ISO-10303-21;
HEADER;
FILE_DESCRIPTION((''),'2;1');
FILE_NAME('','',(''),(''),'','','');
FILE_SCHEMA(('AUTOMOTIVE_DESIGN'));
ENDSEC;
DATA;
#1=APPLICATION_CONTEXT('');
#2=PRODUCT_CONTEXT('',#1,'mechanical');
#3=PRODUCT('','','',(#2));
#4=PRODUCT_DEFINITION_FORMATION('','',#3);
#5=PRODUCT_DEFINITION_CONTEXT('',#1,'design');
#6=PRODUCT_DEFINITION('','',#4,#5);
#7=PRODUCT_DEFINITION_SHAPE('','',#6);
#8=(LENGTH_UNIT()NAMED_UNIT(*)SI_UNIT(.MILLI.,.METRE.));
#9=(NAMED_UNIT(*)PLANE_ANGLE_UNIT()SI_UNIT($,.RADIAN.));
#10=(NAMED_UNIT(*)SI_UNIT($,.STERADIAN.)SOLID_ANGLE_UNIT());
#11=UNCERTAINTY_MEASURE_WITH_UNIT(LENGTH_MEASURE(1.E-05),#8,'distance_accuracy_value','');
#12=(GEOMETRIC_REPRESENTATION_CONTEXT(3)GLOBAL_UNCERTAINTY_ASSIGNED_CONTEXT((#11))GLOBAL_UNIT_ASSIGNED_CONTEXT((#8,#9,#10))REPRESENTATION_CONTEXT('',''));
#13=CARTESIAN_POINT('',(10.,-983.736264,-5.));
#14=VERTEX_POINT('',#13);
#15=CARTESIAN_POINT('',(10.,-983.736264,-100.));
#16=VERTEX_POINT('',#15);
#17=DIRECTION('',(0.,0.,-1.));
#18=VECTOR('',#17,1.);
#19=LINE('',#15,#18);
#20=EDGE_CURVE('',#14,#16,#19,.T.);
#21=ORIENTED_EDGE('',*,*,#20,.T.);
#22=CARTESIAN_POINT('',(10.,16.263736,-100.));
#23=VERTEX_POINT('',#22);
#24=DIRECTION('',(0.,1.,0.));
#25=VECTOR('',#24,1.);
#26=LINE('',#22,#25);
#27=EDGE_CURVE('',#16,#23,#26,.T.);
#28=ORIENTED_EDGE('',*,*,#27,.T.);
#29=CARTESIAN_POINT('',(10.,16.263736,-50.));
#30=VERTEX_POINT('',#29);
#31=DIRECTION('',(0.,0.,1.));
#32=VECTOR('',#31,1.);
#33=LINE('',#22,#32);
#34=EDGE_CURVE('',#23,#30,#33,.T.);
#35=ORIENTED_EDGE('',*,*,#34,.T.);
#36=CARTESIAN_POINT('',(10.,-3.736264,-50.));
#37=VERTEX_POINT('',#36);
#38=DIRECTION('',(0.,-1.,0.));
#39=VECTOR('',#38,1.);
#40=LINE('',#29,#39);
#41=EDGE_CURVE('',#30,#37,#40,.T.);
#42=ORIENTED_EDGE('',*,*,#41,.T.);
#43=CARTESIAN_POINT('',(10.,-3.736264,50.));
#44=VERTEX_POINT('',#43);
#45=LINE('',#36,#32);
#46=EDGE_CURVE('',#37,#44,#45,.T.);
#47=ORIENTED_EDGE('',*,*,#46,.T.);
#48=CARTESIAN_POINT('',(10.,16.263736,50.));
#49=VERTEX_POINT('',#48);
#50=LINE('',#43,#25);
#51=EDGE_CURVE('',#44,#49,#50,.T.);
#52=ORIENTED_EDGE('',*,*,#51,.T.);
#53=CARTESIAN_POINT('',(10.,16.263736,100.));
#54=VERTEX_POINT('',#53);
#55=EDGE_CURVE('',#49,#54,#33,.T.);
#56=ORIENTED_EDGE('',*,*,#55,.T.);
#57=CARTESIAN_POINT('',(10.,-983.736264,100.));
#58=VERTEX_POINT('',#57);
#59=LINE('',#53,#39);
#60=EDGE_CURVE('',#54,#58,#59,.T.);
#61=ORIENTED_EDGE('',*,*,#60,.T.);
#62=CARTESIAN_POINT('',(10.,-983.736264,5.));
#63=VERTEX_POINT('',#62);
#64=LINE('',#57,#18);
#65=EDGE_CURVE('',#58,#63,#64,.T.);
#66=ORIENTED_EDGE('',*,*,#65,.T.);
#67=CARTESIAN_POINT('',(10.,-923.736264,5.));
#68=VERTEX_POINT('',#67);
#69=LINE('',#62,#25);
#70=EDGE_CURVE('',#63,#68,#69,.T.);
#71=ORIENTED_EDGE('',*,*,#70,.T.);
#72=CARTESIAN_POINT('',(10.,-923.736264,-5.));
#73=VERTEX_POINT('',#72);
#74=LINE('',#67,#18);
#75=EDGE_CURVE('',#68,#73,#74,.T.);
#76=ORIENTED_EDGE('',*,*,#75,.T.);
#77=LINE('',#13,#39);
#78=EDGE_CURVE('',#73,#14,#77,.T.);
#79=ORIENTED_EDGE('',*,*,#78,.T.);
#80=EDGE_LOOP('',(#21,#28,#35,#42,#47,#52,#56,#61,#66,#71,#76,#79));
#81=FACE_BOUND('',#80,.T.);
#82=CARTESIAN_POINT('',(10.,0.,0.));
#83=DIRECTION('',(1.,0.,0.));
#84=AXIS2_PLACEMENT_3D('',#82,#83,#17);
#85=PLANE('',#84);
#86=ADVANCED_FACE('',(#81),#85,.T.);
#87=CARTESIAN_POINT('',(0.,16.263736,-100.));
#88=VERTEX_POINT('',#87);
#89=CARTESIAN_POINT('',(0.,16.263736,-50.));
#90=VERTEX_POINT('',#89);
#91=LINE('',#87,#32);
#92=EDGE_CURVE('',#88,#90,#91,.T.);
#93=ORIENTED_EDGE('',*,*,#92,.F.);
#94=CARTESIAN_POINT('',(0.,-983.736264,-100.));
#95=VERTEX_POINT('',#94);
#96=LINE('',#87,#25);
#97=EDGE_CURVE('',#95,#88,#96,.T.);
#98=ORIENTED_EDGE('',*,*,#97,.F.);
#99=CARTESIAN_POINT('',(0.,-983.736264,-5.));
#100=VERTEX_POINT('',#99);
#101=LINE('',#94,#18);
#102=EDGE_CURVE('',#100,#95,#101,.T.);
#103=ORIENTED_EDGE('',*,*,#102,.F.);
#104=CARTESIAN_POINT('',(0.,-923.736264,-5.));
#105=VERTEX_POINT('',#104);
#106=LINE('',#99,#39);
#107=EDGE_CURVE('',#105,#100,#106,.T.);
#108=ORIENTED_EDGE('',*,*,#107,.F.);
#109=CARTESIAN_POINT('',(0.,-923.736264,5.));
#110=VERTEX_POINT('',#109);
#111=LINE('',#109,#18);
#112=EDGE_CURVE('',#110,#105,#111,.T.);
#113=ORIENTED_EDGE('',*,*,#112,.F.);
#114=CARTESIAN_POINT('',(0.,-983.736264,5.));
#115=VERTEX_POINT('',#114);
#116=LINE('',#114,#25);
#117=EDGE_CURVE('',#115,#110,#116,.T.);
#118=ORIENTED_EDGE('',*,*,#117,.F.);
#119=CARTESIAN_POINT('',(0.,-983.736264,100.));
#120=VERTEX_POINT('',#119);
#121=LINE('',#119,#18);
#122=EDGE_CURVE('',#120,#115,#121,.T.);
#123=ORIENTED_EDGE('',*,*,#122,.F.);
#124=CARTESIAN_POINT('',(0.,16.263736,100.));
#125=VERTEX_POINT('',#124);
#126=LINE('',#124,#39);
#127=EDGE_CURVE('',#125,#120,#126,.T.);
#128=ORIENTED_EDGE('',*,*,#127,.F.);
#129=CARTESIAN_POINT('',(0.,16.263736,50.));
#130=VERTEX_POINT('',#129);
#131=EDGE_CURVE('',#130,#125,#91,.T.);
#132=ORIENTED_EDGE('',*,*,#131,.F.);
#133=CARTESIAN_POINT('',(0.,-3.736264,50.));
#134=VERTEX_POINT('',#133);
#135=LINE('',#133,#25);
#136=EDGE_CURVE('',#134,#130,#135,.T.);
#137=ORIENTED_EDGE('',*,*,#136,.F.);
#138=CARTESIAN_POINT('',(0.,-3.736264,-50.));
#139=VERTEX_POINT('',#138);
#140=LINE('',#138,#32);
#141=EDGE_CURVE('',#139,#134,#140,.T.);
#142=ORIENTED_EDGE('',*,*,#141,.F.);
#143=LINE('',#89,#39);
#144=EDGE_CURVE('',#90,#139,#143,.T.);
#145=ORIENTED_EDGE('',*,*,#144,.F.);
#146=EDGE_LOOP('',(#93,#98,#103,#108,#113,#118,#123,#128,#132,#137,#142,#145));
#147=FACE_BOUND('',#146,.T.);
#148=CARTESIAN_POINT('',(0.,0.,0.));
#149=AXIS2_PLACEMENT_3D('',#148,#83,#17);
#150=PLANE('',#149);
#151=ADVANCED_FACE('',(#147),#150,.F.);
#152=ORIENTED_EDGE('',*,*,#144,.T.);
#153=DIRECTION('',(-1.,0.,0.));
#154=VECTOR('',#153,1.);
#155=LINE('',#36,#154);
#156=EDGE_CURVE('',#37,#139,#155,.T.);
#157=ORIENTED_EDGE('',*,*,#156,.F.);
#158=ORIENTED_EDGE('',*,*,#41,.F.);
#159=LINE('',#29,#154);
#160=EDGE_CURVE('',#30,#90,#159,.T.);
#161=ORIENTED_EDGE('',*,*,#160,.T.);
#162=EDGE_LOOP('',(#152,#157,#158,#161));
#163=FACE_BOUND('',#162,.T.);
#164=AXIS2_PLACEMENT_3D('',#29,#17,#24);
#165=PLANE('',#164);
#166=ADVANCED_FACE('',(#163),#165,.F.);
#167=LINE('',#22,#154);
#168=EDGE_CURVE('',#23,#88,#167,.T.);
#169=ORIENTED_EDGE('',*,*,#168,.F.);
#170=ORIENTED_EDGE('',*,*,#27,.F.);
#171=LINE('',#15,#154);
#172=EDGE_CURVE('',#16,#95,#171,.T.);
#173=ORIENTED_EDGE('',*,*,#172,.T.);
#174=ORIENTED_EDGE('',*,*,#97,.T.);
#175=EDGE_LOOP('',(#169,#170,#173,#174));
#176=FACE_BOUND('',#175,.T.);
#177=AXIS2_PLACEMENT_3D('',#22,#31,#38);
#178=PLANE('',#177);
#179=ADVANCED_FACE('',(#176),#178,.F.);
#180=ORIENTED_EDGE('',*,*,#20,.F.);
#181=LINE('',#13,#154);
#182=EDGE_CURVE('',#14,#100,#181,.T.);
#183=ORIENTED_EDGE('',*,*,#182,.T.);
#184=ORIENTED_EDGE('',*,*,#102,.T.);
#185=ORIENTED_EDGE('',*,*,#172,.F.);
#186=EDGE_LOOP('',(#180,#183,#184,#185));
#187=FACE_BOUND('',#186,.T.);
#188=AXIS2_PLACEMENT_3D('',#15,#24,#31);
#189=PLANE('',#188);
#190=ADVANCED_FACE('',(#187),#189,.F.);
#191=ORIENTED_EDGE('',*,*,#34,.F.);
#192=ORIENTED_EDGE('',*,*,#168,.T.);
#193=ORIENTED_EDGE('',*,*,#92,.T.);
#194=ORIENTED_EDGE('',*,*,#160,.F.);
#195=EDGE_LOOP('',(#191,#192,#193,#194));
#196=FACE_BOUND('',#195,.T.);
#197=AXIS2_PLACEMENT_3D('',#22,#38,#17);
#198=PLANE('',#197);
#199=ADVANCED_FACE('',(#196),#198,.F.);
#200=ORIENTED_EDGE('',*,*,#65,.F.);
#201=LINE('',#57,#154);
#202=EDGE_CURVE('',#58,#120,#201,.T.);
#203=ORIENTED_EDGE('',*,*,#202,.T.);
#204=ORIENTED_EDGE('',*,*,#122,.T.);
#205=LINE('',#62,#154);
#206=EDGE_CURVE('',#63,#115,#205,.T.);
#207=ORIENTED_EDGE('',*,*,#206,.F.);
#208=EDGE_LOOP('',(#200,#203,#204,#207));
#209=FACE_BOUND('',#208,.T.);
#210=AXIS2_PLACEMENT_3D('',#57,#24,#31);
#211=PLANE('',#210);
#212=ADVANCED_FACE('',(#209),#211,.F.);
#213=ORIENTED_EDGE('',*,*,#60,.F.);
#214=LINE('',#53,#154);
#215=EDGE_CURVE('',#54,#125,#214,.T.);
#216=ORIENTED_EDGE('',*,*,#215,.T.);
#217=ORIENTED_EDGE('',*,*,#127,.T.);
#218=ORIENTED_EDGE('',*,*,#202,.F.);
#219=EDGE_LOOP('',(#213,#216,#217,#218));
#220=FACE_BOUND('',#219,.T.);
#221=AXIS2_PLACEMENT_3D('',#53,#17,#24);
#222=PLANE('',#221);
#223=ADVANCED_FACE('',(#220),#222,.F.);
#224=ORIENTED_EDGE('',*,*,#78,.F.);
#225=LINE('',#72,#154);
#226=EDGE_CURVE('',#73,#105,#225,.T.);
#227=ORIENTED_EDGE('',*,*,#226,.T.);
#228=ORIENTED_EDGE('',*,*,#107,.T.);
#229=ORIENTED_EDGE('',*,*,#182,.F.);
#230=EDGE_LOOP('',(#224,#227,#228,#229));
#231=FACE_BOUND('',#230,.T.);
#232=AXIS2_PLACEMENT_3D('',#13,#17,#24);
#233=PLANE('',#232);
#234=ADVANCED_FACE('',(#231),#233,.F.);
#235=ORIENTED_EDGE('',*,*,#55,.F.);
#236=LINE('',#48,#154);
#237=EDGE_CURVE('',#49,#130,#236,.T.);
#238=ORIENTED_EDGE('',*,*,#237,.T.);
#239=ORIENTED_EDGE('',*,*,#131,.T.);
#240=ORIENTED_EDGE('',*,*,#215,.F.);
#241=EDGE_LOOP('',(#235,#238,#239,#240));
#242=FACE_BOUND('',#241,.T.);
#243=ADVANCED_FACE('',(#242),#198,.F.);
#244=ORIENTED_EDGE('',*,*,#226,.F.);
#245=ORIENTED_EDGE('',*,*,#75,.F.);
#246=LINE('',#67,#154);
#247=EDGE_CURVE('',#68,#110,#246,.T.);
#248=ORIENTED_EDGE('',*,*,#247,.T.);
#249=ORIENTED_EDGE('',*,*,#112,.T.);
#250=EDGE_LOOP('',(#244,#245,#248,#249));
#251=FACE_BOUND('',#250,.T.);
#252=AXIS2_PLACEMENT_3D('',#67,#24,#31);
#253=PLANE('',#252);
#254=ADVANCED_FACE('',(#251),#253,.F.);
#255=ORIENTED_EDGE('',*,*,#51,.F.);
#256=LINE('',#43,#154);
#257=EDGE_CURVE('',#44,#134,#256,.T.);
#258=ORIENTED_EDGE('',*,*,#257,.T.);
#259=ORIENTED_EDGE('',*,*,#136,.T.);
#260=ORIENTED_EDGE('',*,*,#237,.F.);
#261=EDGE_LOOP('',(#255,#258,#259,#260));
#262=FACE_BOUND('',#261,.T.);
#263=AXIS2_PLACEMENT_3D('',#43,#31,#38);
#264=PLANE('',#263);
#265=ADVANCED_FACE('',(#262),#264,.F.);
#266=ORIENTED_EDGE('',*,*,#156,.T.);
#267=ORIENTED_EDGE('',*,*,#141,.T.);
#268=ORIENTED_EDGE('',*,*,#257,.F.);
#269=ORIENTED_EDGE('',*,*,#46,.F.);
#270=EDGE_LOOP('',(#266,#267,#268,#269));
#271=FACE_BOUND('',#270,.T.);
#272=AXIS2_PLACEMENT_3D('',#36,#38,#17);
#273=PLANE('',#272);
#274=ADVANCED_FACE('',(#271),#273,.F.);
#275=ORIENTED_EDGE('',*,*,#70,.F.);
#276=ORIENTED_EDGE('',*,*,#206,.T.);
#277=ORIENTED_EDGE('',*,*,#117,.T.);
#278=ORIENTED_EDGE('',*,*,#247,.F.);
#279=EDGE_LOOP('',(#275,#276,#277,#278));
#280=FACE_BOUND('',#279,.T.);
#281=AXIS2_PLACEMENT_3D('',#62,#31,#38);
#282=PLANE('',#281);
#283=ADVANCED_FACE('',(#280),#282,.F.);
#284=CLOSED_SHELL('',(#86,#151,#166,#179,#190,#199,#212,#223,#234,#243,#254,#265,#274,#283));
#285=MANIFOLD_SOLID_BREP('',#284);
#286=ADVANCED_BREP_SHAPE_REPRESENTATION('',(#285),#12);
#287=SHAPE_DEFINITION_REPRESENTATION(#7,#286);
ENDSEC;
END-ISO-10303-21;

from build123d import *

# Parameters (mm, degrees)
BOSS_EXTRUDE1_DEPTH = 10
SKETCH2_W           = 100
SKETCH2_H           = 20
CUT_EXTRUDE1_DEPTH  = 10


with BuildPart() as part:
    # Sketch1 → Boss-Extrude1 (new body)
    with BuildSketch(Plane(origin=(0, 0, 0), x_dir=(0, 0, -1), z_dir=(1, 0, 0))):
        Polygon((100, 16.263736264), (-100, 16.263736264), (-100, -983.736263736), (-5, -983.736263736), (-5, -923.736263736), (5, -923.736263736), (5, -983.736263736), (100, -983.736263736), align=None)
    extrude(amount=BOSS_EXTRUDE1_DEPTH)

    # Sketch2 → Cut-Extrude1 (cut)
    with BuildSketch(Plane.ZY):
        with Locations((0, 6.263736264)):
            Rectangle(SKETCH2_W, SKETCH2_H)
    extrude(amount=-CUT_EXTRUDE1_DEPTH, mode=Mode.SUBTRACT)


solid = part.part
